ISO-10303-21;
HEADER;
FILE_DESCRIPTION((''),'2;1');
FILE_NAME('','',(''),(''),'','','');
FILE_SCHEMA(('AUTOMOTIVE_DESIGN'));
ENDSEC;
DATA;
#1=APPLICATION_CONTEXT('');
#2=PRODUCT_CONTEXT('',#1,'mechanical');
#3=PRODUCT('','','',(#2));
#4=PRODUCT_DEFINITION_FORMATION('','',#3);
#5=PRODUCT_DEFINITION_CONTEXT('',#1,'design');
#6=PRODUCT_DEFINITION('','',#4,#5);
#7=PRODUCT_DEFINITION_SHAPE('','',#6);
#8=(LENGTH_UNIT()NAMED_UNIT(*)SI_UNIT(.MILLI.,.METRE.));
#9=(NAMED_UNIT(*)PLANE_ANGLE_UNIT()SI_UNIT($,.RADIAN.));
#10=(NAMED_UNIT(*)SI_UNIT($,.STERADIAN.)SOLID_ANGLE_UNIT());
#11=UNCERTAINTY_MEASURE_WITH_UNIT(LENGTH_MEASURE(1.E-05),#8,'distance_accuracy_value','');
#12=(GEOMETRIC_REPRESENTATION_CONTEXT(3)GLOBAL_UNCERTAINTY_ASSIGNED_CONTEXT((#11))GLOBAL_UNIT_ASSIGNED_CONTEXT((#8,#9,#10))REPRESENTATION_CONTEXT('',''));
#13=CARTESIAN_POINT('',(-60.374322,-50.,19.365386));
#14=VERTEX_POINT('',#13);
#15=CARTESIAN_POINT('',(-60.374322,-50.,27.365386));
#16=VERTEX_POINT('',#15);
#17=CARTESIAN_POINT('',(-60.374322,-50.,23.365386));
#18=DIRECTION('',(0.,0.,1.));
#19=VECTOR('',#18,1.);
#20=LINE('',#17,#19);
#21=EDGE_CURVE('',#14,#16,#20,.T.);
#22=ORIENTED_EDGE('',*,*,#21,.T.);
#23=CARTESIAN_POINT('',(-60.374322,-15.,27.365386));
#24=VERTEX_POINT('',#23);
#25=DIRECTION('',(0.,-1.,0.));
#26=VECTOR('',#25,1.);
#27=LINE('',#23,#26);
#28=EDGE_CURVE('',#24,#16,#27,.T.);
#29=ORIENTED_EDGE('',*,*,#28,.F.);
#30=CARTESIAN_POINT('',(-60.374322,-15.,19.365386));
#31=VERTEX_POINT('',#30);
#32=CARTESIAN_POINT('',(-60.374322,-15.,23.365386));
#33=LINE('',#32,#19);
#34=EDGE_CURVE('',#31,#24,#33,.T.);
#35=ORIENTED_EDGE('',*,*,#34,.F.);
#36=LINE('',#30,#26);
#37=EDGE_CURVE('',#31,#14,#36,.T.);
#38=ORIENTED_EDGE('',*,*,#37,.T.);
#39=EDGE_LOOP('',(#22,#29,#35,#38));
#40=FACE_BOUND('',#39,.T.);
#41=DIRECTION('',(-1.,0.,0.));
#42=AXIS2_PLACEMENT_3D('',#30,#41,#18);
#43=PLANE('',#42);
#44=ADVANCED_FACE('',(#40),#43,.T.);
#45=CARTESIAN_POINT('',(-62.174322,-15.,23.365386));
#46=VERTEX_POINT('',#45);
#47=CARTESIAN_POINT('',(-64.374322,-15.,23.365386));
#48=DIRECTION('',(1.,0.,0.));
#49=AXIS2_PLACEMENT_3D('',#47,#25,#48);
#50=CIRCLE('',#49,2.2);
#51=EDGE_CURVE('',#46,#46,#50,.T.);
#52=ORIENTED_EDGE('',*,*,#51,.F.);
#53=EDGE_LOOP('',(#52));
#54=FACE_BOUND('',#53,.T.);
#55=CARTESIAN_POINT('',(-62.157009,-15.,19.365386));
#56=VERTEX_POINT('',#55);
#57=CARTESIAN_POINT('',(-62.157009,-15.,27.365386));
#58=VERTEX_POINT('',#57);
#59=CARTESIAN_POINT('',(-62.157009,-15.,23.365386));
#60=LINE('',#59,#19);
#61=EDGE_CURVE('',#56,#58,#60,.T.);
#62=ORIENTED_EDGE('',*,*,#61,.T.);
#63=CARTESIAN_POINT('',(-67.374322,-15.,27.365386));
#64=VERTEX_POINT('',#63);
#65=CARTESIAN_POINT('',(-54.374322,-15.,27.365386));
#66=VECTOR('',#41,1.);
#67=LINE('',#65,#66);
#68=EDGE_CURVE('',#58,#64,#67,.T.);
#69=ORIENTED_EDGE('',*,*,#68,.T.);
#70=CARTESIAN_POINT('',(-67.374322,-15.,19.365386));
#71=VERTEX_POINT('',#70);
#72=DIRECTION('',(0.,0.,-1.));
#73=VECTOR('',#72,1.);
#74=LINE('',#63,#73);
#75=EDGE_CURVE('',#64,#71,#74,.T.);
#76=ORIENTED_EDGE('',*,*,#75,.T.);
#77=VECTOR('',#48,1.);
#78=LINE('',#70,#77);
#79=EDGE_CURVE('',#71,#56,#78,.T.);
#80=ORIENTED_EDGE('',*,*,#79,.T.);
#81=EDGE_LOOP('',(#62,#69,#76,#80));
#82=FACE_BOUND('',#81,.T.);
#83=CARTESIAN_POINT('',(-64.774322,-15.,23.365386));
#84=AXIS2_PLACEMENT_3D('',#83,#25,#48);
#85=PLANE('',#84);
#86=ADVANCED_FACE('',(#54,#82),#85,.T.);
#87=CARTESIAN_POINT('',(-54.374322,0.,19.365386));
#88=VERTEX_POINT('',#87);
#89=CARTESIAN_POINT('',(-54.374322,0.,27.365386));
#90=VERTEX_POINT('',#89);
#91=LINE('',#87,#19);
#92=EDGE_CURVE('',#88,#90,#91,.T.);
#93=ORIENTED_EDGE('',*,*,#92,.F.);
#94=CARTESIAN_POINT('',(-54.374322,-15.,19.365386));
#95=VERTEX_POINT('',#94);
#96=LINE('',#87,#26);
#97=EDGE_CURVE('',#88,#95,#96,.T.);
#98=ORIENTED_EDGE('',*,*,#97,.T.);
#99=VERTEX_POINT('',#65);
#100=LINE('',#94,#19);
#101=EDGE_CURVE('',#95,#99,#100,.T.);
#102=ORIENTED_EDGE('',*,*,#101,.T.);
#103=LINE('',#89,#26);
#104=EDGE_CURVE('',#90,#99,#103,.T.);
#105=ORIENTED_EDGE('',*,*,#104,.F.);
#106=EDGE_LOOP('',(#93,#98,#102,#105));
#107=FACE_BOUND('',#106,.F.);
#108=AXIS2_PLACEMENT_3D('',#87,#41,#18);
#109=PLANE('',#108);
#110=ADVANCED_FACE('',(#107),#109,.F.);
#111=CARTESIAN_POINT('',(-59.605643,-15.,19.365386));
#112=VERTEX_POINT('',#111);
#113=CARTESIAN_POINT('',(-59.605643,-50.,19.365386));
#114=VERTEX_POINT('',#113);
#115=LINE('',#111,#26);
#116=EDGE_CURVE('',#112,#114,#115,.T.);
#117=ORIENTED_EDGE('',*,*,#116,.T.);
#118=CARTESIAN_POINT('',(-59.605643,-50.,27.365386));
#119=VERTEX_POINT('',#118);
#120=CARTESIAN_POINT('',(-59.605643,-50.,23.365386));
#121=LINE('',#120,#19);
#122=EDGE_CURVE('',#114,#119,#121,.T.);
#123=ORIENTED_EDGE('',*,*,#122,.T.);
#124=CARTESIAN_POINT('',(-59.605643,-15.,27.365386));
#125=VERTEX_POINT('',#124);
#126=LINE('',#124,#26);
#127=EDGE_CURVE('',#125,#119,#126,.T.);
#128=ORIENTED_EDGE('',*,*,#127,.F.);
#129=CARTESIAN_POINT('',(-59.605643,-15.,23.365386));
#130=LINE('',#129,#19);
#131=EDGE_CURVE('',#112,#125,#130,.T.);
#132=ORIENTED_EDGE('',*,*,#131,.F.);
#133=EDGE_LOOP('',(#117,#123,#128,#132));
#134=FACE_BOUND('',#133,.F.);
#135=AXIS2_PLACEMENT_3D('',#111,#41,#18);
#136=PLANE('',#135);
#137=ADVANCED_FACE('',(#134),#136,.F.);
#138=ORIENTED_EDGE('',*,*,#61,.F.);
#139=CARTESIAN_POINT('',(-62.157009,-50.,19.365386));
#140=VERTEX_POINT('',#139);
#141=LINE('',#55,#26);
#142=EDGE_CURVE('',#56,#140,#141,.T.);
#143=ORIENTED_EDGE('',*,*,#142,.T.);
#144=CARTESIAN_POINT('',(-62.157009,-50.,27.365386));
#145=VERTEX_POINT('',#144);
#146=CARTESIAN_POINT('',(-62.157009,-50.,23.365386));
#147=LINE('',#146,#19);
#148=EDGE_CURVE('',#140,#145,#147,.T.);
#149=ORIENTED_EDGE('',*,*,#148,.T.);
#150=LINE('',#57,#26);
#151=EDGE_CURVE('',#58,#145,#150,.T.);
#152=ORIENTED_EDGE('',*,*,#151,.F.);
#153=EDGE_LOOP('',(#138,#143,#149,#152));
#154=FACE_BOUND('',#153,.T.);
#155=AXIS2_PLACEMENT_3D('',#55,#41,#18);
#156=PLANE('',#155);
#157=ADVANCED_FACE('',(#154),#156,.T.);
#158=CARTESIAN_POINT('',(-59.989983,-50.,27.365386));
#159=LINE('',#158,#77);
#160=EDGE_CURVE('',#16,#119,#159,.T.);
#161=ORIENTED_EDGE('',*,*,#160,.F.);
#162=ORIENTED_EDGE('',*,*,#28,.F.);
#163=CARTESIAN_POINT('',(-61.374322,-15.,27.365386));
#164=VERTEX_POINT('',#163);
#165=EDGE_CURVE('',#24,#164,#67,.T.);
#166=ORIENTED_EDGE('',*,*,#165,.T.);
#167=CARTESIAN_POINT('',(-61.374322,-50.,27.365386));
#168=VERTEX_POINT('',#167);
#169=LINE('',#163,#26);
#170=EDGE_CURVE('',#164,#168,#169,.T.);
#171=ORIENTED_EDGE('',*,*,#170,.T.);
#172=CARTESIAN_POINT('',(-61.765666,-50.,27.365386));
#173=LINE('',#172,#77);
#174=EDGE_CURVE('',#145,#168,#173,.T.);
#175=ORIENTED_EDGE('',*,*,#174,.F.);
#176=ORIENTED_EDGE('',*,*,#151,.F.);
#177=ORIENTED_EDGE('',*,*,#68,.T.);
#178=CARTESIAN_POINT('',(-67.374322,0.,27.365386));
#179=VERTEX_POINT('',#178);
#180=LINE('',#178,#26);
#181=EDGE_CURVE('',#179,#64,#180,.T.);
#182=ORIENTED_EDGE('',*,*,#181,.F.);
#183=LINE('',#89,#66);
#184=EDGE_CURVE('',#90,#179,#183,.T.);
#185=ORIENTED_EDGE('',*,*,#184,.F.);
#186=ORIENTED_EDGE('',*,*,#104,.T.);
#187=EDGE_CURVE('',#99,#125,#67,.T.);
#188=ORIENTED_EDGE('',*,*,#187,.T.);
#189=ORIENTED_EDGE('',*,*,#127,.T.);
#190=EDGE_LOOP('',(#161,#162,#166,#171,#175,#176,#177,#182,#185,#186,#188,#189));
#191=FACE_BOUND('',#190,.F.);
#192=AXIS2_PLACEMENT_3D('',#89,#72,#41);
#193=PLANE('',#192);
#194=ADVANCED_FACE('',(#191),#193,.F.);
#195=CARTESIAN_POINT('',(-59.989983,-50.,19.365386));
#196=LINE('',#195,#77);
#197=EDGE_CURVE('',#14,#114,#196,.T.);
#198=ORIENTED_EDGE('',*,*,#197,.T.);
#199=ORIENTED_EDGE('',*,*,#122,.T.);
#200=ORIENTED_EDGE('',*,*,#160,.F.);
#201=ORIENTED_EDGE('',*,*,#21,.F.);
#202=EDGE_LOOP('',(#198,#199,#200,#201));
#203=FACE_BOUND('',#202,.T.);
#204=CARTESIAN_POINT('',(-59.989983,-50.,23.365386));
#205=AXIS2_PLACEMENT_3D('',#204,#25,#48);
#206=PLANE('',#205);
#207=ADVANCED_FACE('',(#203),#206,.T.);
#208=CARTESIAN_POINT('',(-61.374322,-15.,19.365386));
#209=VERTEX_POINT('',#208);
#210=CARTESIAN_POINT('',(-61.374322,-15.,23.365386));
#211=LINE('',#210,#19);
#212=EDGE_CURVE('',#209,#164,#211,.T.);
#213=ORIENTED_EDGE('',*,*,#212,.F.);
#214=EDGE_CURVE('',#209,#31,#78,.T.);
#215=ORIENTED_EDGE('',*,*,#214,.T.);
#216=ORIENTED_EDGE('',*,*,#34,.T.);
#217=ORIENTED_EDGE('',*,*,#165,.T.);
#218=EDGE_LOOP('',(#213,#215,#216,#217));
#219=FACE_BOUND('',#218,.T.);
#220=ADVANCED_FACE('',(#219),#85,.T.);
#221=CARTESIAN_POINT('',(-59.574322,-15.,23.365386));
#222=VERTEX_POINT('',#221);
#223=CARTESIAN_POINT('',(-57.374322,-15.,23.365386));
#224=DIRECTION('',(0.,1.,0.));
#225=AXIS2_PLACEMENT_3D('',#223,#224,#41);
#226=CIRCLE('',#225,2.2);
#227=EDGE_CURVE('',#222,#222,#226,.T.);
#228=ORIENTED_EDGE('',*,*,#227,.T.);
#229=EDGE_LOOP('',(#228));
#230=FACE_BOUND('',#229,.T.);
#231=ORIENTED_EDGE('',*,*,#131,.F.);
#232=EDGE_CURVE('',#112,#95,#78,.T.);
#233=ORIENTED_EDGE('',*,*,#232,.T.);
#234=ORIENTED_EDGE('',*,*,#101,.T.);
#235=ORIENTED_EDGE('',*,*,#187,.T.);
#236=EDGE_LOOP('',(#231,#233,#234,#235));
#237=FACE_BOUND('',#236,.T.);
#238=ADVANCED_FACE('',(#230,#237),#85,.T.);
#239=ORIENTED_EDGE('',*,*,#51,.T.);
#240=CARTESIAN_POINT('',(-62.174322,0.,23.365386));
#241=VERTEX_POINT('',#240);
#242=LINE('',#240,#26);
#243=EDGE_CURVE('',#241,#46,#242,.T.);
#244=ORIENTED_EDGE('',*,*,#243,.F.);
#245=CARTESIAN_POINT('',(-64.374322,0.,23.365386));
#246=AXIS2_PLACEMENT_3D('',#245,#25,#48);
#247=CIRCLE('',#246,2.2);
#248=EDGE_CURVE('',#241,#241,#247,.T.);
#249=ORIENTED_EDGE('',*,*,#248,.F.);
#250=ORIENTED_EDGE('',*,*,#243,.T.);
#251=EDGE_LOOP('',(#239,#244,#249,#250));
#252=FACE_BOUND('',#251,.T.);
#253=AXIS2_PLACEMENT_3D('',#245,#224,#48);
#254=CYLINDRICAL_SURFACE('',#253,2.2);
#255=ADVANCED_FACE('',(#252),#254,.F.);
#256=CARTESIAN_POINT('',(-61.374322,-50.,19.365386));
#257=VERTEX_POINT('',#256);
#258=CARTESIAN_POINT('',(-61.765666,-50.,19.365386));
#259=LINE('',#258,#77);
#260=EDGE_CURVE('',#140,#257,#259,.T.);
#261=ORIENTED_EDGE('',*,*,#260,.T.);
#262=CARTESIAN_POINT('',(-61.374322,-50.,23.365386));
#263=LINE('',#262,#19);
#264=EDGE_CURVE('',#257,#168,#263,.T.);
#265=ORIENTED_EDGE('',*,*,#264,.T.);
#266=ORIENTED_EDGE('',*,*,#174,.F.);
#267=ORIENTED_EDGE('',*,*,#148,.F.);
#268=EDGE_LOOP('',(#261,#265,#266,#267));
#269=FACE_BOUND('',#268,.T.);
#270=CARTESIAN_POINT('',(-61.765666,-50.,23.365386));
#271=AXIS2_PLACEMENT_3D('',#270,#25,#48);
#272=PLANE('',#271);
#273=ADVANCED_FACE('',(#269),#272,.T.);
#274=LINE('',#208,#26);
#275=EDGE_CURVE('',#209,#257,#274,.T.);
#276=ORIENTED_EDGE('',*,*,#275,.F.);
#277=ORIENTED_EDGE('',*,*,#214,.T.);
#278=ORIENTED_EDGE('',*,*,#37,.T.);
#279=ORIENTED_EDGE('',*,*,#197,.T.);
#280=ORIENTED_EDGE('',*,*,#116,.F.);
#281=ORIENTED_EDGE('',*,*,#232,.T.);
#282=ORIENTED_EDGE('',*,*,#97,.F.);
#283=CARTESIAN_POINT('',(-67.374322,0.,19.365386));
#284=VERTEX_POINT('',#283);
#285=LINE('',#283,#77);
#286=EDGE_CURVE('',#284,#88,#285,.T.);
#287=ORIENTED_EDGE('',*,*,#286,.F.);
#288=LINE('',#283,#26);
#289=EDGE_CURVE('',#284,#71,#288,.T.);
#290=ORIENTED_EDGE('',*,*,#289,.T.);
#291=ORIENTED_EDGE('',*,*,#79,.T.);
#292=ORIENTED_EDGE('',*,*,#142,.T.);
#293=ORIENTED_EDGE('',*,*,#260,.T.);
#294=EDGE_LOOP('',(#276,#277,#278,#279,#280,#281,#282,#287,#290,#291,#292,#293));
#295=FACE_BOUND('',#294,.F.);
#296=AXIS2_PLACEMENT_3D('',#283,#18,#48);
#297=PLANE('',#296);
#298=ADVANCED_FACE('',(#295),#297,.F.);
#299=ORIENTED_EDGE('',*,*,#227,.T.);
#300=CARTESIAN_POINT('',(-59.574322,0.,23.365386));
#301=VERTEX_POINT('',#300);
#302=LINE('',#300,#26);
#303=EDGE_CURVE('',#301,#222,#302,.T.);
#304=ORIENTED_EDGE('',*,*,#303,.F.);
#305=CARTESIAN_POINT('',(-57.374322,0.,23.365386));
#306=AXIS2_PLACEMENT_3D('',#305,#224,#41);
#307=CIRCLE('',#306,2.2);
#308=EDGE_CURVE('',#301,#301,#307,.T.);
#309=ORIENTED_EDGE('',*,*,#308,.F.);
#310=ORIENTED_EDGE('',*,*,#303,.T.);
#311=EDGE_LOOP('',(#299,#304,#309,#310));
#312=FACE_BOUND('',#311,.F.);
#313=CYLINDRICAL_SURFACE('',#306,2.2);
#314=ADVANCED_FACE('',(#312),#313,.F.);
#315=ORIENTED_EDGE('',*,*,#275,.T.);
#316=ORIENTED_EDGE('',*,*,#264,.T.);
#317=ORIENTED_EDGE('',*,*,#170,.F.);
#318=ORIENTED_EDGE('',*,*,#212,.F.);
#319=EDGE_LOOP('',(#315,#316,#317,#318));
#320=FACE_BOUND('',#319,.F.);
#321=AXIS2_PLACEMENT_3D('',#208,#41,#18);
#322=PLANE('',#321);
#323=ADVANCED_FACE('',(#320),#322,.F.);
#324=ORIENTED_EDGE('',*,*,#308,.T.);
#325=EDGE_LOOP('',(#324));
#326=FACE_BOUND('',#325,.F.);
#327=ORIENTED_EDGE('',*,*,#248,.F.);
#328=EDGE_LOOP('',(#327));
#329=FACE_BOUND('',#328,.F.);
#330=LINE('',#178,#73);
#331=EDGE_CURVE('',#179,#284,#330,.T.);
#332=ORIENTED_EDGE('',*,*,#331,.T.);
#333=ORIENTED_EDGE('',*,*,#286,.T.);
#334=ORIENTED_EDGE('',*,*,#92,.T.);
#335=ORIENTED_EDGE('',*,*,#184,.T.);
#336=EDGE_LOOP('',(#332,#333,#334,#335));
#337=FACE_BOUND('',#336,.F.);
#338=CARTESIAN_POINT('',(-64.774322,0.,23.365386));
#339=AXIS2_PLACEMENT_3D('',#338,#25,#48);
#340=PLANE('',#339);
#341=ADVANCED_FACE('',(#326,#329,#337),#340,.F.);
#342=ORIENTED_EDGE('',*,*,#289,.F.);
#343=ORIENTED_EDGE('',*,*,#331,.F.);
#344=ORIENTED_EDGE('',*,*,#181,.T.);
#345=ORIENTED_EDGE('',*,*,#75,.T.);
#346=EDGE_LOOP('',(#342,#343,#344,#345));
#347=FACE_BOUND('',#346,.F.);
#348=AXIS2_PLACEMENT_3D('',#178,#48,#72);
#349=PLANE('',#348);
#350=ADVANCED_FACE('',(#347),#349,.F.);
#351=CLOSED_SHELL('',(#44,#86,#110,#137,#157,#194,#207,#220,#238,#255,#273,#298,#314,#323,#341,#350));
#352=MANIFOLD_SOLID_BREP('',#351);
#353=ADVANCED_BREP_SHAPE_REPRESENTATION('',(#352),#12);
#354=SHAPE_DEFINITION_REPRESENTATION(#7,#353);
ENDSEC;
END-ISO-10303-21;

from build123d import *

# Parameters (mm, degrees)
F0_R     = 2.2
F0_W     = 1
F0_H     = 8
F1_DEPTH = 15
F2_W     = 0.7826865613
F2_H     = 8
F2_W_2   = 0.7686790824
F3_DEPTH = 35


with BuildPart() as f1:
    # F0 (on Front) → F1 (new body)
    with BuildSketch(Plane.XZ):
        Polygon((-62.1743222356, 27.3653858304), (-67.3743222356, 27.3653858304), (-67.3743222356, 19.3653858304), (-62.1743222356, 19.3653858304), (-62.1743222356, 23.3653858304), align=None)
        with Locations((-64.3743222356, 23.3653858304)):
            Circle(F0_R, mode=Mode.SUBTRACT)
        Polygon((-61.3743222356, 27.3653858304), (-62.1743222356, 27.3653858304), (-62.1743222356, 23.3653858304), (-62.1743222356, 19.3653858304), (-61.3743222356, 19.3653858304), align=None)
        with Locations((-60.8743222356, 23.3653858304)):
            Rectangle(F0_W, F0_H)
        Polygon((-59.5743222356, 27.3653858304), (-60.3743222356, 27.3653858304), (-60.3743222356, 19.3653858304), (-59.5743222356, 19.3653858304), (-59.5743222356, 23.3653858304), align=None)
        Polygon((-54.3743222356, 27.3653858304), (-59.5743222356, 27.3653858304), (-59.5743222356, 23.3653858304), (-59.5743222356, 19.3653858304), (-54.3743222356, 19.3653858304), align=None)
        with BuildLine():
            ThreePointArc((-55.1743222356, 23.3653858304), (-57.3743222356, 21.1653858304), (-59.5743222356, 23.3653858304))
            ThreePointArc((-59.5743222356, 23.3653858304), (-57.3743222356, 25.5653858304), (-55.1743222356, 23.3653858304))
        make_face(mode=Mode.SUBTRACT)
    extrude(amount=F1_DEPTH)

    # F2 (on face) → F3 (join)
    with BuildSketch(Plane.XZ.offset(15)):
        with Locations((-61.7656655163, 23.3653858304)):
            Rectangle(F2_W, F2_H)
        with Locations((-59.9899826944, 23.3653858304)):
            Rectangle(F2_W_2, F2_H)
    extrude(amount=F3_DEPTH)


solid = f1.part
